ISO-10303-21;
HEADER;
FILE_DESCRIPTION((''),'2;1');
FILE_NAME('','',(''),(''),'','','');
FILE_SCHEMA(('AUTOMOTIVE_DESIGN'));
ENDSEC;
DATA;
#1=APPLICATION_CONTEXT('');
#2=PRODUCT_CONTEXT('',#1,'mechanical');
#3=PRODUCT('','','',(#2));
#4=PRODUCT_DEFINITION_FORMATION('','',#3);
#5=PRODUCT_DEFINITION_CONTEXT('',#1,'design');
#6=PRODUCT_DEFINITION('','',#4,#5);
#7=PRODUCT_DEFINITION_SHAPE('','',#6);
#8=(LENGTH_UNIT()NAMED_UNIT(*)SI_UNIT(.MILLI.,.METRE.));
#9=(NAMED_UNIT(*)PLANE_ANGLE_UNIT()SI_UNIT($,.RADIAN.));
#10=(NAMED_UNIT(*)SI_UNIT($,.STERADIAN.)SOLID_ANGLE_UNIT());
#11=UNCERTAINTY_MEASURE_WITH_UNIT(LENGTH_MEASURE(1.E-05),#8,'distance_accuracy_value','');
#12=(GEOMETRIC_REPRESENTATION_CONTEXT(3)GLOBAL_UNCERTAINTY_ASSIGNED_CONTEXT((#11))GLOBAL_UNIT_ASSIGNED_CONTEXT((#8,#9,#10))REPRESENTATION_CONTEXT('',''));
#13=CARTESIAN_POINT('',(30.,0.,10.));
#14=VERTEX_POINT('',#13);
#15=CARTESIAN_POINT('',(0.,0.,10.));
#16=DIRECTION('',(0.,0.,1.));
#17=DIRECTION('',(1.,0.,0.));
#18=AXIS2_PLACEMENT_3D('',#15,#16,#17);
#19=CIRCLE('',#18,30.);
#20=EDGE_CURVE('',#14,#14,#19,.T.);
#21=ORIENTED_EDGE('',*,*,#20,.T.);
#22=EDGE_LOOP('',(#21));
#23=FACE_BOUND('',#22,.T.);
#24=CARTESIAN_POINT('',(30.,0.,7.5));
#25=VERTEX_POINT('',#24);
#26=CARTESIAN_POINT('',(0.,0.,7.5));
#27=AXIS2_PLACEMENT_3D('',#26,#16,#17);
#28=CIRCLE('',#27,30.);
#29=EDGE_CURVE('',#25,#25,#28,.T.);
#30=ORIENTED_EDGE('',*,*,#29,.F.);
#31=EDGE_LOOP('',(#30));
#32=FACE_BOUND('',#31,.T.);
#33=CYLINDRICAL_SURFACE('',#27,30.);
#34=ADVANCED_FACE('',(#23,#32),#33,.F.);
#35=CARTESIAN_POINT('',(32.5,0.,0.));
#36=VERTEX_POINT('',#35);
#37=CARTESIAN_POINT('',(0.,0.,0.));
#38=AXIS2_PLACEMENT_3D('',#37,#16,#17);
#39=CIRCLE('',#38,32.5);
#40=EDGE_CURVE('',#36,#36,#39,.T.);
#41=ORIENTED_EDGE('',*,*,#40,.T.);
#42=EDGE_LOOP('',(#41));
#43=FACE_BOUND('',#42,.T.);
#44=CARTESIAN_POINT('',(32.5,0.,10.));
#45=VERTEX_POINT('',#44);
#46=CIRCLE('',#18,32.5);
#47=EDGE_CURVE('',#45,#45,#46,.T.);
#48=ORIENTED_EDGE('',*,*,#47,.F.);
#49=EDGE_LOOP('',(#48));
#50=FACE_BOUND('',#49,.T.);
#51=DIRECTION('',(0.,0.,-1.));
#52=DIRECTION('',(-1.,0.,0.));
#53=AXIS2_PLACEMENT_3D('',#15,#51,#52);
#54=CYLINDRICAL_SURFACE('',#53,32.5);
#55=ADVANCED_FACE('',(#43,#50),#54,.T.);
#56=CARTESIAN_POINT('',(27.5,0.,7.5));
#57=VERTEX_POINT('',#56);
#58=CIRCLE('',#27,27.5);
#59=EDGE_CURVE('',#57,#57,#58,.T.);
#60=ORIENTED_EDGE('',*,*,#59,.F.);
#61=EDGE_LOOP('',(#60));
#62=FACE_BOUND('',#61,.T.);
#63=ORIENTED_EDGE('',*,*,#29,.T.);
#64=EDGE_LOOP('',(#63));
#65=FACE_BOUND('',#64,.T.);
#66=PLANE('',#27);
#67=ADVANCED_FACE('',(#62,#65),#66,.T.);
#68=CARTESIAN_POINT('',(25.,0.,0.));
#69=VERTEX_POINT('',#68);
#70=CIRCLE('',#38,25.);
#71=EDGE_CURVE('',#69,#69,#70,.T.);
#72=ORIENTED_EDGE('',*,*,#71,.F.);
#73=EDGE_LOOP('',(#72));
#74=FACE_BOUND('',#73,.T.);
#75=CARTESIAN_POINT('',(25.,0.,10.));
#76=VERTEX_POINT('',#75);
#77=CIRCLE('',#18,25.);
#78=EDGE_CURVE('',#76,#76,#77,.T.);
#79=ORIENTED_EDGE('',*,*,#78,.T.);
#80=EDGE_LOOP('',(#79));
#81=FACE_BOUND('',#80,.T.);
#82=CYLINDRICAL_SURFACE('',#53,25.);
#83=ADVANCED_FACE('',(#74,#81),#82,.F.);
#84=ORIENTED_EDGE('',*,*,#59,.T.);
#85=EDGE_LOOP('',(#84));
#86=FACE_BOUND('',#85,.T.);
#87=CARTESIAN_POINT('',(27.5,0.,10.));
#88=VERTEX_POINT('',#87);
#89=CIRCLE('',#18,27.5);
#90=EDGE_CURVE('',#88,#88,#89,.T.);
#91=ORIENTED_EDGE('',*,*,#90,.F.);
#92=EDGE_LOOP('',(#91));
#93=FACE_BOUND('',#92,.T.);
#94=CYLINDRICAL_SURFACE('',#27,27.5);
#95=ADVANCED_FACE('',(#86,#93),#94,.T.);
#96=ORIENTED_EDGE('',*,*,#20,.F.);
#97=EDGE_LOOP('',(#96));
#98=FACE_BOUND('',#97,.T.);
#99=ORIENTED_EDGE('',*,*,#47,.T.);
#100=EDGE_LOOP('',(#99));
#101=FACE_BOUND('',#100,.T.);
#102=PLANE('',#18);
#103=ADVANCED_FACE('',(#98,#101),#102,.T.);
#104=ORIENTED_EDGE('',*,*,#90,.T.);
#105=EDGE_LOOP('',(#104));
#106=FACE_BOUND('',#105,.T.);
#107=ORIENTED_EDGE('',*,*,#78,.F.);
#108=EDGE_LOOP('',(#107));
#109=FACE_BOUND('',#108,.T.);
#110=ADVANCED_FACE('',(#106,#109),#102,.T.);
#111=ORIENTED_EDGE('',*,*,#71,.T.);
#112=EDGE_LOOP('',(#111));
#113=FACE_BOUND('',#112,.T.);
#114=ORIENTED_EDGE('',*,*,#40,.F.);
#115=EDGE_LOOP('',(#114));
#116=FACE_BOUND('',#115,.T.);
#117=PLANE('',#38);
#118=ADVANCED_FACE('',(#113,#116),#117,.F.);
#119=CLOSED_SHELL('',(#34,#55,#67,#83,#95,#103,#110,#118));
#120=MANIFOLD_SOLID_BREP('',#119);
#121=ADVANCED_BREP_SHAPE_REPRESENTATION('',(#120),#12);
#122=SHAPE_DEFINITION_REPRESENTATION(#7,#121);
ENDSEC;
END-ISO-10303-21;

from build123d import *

# Parameters (mm, degrees)
SKETCH1_R           = 32.5
SKETCH1_R_2         = 25
BOSS_EXTRUDE1_DEPTH = 10
SKETCH2_R           = 30
SKETCH2_R_2         = 27.5
CUT_EXTRUDE1_DEPTH  = 2.5


with BuildPart() as part:
    # Sketch1 → Boss-Extrude1 (new body)
    with BuildSketch(Plane.XY):
        Circle(SKETCH1_R)
        Circle(SKETCH1_R_2, mode=Mode.SUBTRACT)
    extrude(amount=BOSS_EXTRUDE1_DEPTH)

    # Sketch2 → Cut-Extrude1 (cut)
    with BuildSketch(Plane.XY.offset(10)):
        Circle(SKETCH2_R)
        Circle(SKETCH2_R_2, mode=Mode.SUBTRACT)
    extrude(amount=-CUT_EXTRUDE1_DEPTH, mode=Mode.SUBTRACT)


solid = part.part
